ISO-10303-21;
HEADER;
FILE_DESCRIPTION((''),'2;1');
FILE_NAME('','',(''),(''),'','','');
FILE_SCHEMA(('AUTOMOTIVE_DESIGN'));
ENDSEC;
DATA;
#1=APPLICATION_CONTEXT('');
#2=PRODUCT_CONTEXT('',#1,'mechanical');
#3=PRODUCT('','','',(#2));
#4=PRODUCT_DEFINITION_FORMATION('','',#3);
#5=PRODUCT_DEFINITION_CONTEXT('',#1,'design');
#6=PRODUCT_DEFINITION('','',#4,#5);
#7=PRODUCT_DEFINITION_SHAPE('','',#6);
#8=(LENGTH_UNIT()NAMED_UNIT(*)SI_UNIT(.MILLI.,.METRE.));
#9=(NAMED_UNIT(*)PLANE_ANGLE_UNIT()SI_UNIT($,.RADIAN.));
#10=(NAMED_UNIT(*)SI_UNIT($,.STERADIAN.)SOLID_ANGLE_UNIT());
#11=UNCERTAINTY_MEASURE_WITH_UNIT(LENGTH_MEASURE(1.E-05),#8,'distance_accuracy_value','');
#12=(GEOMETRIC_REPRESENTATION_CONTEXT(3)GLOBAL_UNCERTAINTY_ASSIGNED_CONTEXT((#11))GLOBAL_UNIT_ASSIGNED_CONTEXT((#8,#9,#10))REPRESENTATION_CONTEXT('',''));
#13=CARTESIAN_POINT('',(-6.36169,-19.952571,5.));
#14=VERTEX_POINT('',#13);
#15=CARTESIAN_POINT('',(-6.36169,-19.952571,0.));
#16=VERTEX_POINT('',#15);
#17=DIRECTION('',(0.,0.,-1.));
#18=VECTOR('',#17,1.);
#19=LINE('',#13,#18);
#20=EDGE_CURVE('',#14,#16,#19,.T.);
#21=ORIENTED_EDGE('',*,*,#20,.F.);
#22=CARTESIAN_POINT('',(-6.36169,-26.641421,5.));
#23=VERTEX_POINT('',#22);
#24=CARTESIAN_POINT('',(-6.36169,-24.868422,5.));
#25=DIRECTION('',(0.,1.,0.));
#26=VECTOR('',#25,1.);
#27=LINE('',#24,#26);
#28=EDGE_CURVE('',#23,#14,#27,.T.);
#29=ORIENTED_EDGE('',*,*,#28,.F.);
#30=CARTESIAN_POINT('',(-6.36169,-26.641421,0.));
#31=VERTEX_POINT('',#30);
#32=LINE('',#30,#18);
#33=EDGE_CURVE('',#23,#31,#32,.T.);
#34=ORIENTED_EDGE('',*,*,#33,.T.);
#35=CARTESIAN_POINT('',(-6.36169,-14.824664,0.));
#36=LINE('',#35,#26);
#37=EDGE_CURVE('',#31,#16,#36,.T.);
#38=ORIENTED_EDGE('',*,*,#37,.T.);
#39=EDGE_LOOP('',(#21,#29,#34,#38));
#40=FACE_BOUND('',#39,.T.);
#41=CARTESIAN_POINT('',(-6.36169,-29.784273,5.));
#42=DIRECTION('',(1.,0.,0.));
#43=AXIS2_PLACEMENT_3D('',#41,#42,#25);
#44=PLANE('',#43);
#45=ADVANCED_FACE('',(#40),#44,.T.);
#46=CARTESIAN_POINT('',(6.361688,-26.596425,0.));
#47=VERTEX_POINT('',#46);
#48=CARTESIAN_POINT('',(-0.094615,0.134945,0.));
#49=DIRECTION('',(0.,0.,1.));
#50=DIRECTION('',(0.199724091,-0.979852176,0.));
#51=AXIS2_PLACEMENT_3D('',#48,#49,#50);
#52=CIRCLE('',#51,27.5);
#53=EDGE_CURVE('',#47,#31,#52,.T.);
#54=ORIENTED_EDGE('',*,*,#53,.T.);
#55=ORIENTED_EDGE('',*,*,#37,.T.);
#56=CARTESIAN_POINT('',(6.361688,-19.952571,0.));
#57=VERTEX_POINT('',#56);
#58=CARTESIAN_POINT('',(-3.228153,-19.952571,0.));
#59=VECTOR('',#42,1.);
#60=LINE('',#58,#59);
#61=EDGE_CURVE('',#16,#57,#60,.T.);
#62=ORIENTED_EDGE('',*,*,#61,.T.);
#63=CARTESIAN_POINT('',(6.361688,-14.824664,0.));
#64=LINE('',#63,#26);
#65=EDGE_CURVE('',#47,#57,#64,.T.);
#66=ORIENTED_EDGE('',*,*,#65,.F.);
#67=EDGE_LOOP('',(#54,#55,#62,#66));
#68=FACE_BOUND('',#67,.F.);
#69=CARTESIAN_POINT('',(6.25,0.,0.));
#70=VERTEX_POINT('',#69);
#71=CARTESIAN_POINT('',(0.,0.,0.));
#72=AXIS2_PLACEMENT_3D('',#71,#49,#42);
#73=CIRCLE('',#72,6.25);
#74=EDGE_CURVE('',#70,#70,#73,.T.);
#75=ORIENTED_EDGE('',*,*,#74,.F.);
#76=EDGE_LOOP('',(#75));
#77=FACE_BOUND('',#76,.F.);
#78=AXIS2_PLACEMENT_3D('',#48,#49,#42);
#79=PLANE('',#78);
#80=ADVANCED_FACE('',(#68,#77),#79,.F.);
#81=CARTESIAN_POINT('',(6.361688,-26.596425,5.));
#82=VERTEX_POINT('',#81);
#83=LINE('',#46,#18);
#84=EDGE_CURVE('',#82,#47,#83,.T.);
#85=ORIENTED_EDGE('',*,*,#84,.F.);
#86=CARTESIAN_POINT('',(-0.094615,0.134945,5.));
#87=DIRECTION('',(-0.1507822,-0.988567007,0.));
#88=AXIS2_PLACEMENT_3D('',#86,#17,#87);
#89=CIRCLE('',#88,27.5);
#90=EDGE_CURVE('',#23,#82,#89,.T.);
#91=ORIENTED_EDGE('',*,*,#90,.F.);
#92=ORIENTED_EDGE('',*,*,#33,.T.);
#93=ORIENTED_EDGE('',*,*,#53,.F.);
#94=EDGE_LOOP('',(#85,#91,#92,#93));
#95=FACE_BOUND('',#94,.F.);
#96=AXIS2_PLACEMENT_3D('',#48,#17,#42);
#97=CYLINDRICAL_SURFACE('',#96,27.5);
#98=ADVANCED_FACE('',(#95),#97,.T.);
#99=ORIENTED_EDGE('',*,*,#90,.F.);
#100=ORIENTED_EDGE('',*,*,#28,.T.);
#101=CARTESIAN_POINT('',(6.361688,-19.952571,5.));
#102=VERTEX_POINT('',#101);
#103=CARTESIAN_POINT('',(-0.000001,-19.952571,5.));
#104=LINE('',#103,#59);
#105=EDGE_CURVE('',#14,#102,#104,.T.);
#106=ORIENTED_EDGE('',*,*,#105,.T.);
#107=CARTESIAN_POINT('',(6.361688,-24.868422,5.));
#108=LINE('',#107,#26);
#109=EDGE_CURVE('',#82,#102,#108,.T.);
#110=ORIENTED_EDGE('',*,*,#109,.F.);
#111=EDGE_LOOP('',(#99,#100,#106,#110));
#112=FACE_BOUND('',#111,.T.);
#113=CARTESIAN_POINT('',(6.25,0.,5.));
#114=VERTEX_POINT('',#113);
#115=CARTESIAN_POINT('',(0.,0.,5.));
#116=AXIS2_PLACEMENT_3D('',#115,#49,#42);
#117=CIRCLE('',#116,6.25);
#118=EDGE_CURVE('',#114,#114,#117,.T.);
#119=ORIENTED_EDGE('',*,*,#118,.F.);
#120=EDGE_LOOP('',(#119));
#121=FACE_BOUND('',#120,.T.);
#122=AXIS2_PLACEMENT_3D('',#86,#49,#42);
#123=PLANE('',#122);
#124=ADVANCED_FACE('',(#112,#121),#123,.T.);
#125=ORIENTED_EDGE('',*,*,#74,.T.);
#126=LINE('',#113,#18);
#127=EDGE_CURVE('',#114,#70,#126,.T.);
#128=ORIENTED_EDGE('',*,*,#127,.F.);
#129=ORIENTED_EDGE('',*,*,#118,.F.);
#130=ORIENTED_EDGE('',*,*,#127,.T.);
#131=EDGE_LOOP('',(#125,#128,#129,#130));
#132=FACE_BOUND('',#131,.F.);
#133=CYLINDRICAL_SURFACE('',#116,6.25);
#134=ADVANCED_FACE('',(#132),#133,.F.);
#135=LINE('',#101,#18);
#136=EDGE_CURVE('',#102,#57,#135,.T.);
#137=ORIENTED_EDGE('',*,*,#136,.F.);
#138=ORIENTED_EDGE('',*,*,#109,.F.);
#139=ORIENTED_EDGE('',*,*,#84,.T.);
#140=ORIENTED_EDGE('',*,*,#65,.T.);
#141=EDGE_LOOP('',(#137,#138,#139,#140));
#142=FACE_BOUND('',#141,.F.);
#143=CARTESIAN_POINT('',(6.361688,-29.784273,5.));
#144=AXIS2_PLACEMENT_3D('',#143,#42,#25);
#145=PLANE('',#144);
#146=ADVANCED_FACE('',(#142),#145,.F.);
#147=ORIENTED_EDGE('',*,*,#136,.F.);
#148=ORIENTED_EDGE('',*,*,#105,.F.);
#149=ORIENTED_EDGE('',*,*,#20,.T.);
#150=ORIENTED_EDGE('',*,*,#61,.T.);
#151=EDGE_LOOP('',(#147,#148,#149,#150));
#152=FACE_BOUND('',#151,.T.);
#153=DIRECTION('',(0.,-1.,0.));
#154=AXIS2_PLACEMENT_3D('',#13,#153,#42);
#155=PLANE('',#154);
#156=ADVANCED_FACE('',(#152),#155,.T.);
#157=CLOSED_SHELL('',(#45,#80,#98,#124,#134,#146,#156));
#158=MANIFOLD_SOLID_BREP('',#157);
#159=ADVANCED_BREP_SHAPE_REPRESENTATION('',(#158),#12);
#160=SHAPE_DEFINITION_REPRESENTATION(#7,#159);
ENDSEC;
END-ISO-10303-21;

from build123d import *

# Parameters (mm, degrees)
F0_R     = 27.5
F1_DEPTH = 5
F2_R     = 6.25
F3_DEPTH = 25
F4_W     = 9.638923
F4_H     = 7.71114
F5_DEPTH = 5
F6_W     = 12.723378
F6_H     = 9.831702
F7_DEPTH = 25


with BuildPart() as f1:
    # F0 (on Top) → F1 (new body)
    with BuildSketch(Plane.XY):
        with Locations((-0.094615, 0.134945)):
            Circle(F0_R)
    extrude(amount=F1_DEPTH)

    # F2 (on face) → F3 (cut)
    with BuildSketch(Plane.XY.offset(5)):
        Circle(F2_R)
    extrude(amount=-F3_DEPTH, mode=Mode.SUBTRACT)

    # F4 (on face) → F5 (cut)
    with BuildSketch(Plane.XY.offset(5)):
        with Locations((0.578336, -24.772032)):
            Rectangle(F4_W, F4_H)
    extrude(amount=-F5_DEPTH, mode=Mode.SUBTRACT)

    # F6 (on face) → F7 (cut)
    with BuildSketch(Plane.XY.offset(5)):
        with Locations((-1e-06, -24.868422)):
            Rectangle(F6_W, F6_H)
    extrude(amount=-F7_DEPTH, mode=Mode.SUBTRACT)


solid = f1.part
